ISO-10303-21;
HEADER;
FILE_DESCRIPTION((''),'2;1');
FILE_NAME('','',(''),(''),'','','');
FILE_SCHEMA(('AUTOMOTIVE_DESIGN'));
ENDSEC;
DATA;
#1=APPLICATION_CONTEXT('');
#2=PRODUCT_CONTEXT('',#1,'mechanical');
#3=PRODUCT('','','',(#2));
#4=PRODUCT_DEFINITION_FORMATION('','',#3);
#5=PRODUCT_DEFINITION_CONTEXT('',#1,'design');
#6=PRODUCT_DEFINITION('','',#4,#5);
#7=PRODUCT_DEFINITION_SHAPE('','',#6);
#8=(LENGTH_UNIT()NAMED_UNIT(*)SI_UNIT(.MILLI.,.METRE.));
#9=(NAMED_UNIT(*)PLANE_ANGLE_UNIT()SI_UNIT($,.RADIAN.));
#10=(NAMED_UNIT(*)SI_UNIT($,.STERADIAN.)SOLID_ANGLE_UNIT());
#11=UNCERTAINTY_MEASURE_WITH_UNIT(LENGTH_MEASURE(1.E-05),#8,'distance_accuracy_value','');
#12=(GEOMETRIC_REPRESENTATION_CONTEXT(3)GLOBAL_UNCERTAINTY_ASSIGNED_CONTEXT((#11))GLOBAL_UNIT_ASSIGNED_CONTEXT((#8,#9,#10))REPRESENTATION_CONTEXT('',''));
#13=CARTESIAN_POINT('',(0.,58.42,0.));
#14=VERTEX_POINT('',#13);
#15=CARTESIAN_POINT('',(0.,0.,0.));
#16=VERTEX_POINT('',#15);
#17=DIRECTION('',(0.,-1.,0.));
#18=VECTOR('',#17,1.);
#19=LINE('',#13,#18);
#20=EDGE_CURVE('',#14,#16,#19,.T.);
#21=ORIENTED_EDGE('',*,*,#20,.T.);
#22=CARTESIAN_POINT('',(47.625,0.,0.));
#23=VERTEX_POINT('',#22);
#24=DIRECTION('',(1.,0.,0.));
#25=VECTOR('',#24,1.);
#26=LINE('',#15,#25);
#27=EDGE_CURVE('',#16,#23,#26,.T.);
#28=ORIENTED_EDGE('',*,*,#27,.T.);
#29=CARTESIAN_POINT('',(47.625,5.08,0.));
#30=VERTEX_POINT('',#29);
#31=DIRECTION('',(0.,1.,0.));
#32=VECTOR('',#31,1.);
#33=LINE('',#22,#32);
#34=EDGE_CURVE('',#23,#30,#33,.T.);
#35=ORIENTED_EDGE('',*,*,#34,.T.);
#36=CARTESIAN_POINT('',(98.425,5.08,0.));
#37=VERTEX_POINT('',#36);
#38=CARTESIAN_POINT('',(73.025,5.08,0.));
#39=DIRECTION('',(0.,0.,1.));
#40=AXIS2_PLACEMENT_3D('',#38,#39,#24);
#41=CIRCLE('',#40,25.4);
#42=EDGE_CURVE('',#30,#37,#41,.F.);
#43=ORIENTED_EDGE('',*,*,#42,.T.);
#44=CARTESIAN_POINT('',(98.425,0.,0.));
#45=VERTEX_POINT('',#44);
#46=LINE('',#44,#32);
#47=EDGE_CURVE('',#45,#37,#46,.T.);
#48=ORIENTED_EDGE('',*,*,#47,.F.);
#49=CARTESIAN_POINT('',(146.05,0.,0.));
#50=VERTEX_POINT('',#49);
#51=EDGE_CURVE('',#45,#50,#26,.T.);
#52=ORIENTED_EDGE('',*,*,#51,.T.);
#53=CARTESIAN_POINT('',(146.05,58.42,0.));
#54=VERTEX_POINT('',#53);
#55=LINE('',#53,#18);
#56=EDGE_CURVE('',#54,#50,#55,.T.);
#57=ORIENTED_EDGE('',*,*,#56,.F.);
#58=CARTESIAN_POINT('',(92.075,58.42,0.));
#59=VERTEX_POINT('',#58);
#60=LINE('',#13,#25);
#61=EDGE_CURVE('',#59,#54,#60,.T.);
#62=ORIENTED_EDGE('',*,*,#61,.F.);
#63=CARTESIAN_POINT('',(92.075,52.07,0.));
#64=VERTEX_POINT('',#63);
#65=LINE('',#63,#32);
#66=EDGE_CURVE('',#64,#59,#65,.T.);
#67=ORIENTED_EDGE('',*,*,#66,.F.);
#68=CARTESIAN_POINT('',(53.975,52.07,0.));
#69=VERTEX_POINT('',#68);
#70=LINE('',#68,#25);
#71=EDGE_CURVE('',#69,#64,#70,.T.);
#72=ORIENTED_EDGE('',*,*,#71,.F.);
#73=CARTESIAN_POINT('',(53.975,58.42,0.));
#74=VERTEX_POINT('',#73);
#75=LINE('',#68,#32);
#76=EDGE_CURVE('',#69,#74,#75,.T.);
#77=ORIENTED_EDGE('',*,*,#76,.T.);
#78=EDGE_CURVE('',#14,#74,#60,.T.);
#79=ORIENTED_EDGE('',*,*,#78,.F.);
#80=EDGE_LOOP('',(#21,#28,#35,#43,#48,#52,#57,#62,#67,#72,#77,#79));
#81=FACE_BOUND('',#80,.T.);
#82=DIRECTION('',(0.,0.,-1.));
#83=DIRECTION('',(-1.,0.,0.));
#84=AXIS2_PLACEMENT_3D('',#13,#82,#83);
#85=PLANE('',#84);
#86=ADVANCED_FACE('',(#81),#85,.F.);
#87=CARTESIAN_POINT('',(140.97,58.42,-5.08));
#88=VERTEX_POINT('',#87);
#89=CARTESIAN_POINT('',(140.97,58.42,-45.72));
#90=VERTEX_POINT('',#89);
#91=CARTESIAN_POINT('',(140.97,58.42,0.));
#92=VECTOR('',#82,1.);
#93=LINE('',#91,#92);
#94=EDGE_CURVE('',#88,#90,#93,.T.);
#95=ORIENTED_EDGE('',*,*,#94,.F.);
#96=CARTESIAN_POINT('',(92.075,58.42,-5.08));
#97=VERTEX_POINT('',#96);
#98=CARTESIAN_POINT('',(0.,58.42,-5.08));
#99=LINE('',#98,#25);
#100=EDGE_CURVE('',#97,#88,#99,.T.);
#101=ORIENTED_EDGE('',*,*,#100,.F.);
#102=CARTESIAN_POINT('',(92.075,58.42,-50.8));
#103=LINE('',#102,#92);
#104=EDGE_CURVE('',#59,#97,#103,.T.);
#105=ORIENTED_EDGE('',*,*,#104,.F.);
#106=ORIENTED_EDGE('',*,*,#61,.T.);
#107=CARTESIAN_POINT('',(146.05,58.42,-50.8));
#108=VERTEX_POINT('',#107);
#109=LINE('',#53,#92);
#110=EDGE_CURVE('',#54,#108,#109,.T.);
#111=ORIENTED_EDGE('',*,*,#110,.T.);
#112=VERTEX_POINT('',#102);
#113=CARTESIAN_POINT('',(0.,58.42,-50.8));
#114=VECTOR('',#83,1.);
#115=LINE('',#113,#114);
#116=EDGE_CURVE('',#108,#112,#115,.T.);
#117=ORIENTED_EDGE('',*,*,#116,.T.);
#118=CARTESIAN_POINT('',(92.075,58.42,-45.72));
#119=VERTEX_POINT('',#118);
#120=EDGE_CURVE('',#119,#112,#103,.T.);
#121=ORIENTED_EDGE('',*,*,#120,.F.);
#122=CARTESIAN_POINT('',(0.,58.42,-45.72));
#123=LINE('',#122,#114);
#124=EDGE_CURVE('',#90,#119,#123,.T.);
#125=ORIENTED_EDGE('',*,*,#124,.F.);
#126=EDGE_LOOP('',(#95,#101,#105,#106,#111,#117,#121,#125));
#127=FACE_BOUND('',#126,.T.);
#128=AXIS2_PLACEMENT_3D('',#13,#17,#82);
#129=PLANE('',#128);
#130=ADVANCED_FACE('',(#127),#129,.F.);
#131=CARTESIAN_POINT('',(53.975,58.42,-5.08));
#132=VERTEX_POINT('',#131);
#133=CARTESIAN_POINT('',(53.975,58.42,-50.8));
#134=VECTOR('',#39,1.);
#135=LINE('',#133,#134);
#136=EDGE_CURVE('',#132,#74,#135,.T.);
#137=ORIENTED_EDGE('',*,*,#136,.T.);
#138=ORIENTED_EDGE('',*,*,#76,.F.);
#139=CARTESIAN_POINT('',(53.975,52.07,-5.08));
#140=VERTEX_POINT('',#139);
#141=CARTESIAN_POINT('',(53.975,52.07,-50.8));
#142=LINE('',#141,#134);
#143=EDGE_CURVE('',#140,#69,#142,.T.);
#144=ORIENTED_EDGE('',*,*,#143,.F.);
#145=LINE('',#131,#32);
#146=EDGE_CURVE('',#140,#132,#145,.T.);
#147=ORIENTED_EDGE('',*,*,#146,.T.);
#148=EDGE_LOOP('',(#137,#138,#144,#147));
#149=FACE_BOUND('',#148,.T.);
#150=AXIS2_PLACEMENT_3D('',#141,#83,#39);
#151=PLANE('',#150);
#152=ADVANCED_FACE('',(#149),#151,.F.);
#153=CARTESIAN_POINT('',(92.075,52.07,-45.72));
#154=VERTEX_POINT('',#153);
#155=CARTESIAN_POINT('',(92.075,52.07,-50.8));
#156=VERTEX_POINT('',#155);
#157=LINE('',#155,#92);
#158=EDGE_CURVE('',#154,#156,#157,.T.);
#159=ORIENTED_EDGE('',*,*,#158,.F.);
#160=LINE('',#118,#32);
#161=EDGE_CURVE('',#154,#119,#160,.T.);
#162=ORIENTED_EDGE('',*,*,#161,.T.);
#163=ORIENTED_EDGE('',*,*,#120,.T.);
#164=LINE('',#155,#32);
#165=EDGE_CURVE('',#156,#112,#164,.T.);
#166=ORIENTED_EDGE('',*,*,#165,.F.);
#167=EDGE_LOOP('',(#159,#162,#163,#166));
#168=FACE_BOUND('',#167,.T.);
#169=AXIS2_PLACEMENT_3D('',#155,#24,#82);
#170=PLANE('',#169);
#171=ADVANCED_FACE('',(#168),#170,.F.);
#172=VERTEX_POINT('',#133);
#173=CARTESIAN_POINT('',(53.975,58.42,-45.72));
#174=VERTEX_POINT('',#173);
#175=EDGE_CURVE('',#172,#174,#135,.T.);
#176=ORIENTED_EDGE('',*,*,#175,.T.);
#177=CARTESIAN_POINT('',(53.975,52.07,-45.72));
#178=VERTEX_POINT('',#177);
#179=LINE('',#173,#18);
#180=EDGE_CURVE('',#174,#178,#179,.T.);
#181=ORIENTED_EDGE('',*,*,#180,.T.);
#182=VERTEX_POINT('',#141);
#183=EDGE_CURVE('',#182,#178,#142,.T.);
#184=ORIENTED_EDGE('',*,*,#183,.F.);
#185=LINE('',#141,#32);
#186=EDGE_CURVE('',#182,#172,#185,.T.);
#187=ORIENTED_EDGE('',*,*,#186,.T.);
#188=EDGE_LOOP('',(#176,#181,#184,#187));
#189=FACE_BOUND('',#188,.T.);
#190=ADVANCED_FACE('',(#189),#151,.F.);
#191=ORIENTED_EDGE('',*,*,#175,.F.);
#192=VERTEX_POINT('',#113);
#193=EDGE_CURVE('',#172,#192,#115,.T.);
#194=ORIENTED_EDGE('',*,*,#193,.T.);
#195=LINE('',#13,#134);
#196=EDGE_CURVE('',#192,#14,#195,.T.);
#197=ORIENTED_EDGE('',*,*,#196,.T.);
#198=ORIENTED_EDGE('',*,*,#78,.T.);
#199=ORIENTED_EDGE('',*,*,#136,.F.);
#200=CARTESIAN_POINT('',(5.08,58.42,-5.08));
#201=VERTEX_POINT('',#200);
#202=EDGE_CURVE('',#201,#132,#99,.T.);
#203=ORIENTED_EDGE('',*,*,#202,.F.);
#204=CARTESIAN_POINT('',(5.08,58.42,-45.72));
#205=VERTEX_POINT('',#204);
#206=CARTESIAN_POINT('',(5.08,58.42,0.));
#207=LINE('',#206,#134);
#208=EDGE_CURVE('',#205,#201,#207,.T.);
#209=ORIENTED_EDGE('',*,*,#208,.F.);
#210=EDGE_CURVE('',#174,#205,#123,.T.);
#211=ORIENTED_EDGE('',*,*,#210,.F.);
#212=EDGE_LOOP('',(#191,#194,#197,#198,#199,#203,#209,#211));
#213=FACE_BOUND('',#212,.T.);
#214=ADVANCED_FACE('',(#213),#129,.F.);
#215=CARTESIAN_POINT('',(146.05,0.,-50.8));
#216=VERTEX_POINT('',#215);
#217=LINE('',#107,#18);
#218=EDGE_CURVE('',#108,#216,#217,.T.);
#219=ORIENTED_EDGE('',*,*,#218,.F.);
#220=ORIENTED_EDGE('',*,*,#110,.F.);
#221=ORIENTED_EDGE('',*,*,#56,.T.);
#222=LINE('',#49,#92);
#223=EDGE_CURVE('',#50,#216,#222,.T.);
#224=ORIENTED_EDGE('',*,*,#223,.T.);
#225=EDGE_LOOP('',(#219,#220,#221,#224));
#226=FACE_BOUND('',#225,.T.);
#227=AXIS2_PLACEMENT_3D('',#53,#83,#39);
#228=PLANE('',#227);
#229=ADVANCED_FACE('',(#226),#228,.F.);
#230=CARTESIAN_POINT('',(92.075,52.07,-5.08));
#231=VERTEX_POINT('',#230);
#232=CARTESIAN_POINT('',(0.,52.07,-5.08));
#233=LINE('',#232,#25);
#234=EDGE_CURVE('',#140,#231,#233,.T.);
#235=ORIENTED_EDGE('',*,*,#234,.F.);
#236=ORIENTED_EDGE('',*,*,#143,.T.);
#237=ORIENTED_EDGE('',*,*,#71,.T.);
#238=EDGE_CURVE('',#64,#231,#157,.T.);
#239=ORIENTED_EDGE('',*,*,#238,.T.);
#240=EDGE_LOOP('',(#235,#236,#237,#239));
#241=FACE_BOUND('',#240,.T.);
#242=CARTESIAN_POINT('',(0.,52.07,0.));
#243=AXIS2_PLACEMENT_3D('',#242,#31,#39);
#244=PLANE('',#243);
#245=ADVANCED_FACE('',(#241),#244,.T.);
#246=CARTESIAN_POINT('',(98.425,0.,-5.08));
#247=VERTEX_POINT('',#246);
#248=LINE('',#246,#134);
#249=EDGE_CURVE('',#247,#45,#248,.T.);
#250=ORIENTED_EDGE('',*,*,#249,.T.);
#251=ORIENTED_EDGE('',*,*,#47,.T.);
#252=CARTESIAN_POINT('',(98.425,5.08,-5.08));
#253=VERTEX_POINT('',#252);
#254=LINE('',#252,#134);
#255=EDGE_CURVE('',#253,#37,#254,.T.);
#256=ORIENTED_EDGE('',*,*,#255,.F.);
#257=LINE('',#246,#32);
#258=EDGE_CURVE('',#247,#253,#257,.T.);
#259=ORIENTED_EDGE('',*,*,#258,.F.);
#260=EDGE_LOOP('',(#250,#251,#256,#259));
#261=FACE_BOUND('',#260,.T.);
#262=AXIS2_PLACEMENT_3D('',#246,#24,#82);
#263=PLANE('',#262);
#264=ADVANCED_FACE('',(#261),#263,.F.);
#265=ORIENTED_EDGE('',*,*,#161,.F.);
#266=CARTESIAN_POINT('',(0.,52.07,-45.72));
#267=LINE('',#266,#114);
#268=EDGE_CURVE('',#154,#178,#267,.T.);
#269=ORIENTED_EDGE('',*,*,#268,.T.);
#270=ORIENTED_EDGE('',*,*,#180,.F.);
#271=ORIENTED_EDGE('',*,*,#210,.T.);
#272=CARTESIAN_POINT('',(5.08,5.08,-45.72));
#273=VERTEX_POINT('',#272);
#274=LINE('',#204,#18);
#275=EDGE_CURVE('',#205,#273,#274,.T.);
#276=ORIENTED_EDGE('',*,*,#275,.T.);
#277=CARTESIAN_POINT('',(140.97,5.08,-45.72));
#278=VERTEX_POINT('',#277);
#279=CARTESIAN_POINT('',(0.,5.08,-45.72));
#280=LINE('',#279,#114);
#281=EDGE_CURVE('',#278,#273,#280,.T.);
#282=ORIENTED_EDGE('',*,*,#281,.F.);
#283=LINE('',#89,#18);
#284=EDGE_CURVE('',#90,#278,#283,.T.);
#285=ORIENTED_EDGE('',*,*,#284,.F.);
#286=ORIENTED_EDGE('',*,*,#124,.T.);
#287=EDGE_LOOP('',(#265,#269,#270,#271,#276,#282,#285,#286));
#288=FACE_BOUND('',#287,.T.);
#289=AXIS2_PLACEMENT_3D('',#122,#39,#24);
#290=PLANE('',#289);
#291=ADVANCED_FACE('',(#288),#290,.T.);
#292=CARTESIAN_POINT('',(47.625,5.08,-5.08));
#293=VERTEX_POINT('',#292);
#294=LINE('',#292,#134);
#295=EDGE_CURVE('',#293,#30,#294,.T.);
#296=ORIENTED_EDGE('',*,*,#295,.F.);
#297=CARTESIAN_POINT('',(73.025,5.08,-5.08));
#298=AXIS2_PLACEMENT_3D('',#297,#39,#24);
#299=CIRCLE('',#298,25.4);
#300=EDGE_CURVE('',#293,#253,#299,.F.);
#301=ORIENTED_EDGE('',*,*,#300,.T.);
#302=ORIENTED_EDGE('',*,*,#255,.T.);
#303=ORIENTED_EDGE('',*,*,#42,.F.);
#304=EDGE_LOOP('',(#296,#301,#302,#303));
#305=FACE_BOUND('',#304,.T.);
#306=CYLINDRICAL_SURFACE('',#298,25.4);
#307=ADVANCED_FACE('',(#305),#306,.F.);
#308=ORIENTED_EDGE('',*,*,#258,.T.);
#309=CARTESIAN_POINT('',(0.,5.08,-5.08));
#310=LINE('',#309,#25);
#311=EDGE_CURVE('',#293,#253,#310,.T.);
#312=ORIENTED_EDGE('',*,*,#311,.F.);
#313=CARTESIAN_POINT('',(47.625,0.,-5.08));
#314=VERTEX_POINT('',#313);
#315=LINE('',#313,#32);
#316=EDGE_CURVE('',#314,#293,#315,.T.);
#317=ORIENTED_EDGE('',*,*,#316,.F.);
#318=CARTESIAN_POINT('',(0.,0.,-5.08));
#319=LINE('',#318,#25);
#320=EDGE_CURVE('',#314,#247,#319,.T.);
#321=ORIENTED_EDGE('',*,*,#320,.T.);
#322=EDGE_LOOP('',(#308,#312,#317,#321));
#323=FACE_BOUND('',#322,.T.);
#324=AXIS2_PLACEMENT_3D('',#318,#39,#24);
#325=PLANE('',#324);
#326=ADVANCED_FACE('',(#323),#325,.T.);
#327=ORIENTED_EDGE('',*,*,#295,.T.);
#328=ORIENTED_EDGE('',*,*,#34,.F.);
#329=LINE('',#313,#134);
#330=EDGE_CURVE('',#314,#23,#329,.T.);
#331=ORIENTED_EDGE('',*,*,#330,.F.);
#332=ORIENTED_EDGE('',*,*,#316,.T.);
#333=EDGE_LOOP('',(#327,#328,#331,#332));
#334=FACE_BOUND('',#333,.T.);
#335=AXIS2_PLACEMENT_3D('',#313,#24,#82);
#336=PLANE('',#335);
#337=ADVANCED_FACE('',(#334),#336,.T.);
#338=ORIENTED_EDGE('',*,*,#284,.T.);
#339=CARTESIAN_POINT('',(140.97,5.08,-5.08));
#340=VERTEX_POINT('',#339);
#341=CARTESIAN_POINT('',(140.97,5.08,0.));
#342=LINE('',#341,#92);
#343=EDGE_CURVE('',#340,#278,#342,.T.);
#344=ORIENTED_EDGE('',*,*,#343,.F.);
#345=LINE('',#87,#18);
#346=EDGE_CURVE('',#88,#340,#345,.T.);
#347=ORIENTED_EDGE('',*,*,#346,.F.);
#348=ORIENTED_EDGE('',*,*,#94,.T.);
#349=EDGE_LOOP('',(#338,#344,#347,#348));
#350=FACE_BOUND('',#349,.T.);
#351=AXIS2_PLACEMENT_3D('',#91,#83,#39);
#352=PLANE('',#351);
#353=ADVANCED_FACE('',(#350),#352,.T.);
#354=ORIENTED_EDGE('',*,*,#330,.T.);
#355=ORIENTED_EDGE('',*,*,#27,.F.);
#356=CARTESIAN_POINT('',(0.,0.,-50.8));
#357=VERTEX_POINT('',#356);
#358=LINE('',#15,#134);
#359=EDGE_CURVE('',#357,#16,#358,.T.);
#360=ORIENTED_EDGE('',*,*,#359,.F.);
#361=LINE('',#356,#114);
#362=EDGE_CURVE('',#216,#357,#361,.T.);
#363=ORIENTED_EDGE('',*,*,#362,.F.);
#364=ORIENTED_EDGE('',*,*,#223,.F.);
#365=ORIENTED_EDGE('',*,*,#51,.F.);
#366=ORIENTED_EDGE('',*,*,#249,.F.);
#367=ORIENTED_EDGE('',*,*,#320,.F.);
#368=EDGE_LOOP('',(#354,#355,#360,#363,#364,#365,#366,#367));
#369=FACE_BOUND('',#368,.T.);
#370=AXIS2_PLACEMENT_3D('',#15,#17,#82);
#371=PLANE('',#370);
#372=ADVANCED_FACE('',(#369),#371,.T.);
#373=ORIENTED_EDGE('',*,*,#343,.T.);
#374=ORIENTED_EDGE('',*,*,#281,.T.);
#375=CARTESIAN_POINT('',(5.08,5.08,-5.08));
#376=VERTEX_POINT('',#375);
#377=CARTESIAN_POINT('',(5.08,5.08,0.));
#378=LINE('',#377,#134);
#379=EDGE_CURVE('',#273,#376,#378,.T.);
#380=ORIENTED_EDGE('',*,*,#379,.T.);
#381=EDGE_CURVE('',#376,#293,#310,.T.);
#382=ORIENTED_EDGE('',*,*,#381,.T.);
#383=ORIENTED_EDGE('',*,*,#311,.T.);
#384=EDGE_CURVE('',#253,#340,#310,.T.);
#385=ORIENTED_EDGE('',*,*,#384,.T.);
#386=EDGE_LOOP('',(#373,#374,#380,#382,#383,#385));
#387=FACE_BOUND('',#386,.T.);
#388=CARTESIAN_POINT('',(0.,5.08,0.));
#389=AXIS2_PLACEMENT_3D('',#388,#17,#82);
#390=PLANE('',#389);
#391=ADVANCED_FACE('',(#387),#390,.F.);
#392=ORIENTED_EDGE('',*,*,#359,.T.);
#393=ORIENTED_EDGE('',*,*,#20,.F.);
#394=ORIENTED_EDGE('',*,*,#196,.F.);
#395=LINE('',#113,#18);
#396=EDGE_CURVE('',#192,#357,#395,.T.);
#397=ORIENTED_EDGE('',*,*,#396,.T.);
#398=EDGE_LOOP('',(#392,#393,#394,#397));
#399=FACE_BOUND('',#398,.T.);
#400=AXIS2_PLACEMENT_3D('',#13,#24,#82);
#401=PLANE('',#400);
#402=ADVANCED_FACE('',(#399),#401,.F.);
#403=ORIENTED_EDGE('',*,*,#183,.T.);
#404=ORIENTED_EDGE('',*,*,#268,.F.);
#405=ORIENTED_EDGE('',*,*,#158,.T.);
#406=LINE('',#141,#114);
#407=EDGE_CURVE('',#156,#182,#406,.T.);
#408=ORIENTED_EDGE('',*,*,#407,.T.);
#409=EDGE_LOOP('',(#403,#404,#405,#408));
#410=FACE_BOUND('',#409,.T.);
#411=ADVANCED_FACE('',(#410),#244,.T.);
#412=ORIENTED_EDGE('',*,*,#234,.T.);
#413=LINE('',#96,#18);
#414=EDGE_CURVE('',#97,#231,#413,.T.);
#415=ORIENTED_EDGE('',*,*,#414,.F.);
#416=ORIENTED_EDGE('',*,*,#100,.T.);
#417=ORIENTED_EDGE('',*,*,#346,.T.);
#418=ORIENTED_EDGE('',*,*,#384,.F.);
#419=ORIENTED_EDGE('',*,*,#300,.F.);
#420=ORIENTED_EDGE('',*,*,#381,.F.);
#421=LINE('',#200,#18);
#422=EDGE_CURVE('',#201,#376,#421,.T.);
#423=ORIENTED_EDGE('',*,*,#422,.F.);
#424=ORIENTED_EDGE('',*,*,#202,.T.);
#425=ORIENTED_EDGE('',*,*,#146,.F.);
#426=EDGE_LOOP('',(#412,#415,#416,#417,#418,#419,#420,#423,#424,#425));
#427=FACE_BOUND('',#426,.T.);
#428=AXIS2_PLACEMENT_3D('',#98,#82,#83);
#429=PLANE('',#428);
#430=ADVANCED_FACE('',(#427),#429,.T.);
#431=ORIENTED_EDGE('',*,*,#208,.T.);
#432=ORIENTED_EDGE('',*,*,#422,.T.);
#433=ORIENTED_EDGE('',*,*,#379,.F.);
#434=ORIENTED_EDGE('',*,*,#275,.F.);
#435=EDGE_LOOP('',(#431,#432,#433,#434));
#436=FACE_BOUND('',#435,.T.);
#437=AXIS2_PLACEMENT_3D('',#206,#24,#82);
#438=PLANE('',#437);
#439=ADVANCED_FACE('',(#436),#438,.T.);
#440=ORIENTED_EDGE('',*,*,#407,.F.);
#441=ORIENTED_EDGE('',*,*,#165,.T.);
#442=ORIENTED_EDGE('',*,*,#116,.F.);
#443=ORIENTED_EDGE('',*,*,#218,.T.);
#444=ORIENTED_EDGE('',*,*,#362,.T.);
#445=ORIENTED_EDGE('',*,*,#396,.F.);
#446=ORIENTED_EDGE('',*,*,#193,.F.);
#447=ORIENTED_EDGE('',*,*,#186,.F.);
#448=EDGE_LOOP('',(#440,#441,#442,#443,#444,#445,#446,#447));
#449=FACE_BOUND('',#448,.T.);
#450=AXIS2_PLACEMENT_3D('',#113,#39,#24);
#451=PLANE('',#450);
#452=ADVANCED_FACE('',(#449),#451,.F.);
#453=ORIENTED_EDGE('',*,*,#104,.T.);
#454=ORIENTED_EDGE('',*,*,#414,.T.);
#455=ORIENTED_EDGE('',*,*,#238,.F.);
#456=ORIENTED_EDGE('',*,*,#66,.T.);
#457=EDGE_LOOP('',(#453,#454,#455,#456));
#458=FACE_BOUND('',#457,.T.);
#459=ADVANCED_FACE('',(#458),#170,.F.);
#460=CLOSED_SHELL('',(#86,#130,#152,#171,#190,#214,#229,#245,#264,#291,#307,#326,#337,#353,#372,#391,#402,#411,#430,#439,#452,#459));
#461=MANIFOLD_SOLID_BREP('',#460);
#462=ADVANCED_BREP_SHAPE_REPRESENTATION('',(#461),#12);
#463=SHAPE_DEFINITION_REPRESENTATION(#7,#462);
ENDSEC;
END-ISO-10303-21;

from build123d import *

# Parameters (mm, degrees)
SKETCH1_W           = 146.05
SKETCH1_H           = 50.8
BOSS_EXTRUDE1_DEPTH = 58.42
SHELL1_T            = -5.08
SKETCH2_W           = 50.8
SKETCH2_H           = 5.08
CUT_EXTRUDE2_DEPTH  = 5.08
SKETCH4_W           = 38.1
SKETCH4_H           = 50.8
CUT_EXTRUDE3_DEPTH  = 6.35


with BuildPart() as part:
    # Sketch1 → Boss-Extrude1 (new body)
    with BuildSketch(Plane(origin=(0, 0, 0), x_dir=(1, 0, 0), z_dir=(0, 1, 0))):
        with Locations((73.025, 25.4)):
            Rectangle(SKETCH1_W, SKETCH1_H)
    extrude(amount=BOSS_EXTRUDE1_DEPTH)

    # Shell1
    shell1_openings = [part.faces().sort_by_distance(p)[0] for p in [
        (73.025, 58.42, -25.4),
    ]]
    offset(amount=SHELL1_T, openings=shell1_openings, kind=Kind.INTERSECTION)

    # Sketch2 → Cut-Extrude2 (cut)
    with BuildSketch(Plane.XY):
        with Locations((73.025, 2.54)):
            Rectangle(SKETCH2_W, SKETCH2_H)
        with BuildLine():
            ThreePointArc((98.425, 5.08), (73.025, 30.48), (47.625, 5.08))
            Line((47.625, 5.08), (98.425, 5.08))
        make_face()
    extrude(amount=-CUT_EXTRUDE2_DEPTH, mode=Mode.SUBTRACT)

    # Sketch4 → Cut-Extrude3 (cut)
    with BuildSketch(Plane(origin=(0, 58.42, 0), x_dir=(1, 0, 0), z_dir=(0, 1, 0))):
        with Locations((73.025, 25.4)):
            Rectangle(SKETCH4_W, SKETCH4_H)
    extrude(amount=-CUT_EXTRUDE3_DEPTH, mode=Mode.SUBTRACT)


solid = part.part
